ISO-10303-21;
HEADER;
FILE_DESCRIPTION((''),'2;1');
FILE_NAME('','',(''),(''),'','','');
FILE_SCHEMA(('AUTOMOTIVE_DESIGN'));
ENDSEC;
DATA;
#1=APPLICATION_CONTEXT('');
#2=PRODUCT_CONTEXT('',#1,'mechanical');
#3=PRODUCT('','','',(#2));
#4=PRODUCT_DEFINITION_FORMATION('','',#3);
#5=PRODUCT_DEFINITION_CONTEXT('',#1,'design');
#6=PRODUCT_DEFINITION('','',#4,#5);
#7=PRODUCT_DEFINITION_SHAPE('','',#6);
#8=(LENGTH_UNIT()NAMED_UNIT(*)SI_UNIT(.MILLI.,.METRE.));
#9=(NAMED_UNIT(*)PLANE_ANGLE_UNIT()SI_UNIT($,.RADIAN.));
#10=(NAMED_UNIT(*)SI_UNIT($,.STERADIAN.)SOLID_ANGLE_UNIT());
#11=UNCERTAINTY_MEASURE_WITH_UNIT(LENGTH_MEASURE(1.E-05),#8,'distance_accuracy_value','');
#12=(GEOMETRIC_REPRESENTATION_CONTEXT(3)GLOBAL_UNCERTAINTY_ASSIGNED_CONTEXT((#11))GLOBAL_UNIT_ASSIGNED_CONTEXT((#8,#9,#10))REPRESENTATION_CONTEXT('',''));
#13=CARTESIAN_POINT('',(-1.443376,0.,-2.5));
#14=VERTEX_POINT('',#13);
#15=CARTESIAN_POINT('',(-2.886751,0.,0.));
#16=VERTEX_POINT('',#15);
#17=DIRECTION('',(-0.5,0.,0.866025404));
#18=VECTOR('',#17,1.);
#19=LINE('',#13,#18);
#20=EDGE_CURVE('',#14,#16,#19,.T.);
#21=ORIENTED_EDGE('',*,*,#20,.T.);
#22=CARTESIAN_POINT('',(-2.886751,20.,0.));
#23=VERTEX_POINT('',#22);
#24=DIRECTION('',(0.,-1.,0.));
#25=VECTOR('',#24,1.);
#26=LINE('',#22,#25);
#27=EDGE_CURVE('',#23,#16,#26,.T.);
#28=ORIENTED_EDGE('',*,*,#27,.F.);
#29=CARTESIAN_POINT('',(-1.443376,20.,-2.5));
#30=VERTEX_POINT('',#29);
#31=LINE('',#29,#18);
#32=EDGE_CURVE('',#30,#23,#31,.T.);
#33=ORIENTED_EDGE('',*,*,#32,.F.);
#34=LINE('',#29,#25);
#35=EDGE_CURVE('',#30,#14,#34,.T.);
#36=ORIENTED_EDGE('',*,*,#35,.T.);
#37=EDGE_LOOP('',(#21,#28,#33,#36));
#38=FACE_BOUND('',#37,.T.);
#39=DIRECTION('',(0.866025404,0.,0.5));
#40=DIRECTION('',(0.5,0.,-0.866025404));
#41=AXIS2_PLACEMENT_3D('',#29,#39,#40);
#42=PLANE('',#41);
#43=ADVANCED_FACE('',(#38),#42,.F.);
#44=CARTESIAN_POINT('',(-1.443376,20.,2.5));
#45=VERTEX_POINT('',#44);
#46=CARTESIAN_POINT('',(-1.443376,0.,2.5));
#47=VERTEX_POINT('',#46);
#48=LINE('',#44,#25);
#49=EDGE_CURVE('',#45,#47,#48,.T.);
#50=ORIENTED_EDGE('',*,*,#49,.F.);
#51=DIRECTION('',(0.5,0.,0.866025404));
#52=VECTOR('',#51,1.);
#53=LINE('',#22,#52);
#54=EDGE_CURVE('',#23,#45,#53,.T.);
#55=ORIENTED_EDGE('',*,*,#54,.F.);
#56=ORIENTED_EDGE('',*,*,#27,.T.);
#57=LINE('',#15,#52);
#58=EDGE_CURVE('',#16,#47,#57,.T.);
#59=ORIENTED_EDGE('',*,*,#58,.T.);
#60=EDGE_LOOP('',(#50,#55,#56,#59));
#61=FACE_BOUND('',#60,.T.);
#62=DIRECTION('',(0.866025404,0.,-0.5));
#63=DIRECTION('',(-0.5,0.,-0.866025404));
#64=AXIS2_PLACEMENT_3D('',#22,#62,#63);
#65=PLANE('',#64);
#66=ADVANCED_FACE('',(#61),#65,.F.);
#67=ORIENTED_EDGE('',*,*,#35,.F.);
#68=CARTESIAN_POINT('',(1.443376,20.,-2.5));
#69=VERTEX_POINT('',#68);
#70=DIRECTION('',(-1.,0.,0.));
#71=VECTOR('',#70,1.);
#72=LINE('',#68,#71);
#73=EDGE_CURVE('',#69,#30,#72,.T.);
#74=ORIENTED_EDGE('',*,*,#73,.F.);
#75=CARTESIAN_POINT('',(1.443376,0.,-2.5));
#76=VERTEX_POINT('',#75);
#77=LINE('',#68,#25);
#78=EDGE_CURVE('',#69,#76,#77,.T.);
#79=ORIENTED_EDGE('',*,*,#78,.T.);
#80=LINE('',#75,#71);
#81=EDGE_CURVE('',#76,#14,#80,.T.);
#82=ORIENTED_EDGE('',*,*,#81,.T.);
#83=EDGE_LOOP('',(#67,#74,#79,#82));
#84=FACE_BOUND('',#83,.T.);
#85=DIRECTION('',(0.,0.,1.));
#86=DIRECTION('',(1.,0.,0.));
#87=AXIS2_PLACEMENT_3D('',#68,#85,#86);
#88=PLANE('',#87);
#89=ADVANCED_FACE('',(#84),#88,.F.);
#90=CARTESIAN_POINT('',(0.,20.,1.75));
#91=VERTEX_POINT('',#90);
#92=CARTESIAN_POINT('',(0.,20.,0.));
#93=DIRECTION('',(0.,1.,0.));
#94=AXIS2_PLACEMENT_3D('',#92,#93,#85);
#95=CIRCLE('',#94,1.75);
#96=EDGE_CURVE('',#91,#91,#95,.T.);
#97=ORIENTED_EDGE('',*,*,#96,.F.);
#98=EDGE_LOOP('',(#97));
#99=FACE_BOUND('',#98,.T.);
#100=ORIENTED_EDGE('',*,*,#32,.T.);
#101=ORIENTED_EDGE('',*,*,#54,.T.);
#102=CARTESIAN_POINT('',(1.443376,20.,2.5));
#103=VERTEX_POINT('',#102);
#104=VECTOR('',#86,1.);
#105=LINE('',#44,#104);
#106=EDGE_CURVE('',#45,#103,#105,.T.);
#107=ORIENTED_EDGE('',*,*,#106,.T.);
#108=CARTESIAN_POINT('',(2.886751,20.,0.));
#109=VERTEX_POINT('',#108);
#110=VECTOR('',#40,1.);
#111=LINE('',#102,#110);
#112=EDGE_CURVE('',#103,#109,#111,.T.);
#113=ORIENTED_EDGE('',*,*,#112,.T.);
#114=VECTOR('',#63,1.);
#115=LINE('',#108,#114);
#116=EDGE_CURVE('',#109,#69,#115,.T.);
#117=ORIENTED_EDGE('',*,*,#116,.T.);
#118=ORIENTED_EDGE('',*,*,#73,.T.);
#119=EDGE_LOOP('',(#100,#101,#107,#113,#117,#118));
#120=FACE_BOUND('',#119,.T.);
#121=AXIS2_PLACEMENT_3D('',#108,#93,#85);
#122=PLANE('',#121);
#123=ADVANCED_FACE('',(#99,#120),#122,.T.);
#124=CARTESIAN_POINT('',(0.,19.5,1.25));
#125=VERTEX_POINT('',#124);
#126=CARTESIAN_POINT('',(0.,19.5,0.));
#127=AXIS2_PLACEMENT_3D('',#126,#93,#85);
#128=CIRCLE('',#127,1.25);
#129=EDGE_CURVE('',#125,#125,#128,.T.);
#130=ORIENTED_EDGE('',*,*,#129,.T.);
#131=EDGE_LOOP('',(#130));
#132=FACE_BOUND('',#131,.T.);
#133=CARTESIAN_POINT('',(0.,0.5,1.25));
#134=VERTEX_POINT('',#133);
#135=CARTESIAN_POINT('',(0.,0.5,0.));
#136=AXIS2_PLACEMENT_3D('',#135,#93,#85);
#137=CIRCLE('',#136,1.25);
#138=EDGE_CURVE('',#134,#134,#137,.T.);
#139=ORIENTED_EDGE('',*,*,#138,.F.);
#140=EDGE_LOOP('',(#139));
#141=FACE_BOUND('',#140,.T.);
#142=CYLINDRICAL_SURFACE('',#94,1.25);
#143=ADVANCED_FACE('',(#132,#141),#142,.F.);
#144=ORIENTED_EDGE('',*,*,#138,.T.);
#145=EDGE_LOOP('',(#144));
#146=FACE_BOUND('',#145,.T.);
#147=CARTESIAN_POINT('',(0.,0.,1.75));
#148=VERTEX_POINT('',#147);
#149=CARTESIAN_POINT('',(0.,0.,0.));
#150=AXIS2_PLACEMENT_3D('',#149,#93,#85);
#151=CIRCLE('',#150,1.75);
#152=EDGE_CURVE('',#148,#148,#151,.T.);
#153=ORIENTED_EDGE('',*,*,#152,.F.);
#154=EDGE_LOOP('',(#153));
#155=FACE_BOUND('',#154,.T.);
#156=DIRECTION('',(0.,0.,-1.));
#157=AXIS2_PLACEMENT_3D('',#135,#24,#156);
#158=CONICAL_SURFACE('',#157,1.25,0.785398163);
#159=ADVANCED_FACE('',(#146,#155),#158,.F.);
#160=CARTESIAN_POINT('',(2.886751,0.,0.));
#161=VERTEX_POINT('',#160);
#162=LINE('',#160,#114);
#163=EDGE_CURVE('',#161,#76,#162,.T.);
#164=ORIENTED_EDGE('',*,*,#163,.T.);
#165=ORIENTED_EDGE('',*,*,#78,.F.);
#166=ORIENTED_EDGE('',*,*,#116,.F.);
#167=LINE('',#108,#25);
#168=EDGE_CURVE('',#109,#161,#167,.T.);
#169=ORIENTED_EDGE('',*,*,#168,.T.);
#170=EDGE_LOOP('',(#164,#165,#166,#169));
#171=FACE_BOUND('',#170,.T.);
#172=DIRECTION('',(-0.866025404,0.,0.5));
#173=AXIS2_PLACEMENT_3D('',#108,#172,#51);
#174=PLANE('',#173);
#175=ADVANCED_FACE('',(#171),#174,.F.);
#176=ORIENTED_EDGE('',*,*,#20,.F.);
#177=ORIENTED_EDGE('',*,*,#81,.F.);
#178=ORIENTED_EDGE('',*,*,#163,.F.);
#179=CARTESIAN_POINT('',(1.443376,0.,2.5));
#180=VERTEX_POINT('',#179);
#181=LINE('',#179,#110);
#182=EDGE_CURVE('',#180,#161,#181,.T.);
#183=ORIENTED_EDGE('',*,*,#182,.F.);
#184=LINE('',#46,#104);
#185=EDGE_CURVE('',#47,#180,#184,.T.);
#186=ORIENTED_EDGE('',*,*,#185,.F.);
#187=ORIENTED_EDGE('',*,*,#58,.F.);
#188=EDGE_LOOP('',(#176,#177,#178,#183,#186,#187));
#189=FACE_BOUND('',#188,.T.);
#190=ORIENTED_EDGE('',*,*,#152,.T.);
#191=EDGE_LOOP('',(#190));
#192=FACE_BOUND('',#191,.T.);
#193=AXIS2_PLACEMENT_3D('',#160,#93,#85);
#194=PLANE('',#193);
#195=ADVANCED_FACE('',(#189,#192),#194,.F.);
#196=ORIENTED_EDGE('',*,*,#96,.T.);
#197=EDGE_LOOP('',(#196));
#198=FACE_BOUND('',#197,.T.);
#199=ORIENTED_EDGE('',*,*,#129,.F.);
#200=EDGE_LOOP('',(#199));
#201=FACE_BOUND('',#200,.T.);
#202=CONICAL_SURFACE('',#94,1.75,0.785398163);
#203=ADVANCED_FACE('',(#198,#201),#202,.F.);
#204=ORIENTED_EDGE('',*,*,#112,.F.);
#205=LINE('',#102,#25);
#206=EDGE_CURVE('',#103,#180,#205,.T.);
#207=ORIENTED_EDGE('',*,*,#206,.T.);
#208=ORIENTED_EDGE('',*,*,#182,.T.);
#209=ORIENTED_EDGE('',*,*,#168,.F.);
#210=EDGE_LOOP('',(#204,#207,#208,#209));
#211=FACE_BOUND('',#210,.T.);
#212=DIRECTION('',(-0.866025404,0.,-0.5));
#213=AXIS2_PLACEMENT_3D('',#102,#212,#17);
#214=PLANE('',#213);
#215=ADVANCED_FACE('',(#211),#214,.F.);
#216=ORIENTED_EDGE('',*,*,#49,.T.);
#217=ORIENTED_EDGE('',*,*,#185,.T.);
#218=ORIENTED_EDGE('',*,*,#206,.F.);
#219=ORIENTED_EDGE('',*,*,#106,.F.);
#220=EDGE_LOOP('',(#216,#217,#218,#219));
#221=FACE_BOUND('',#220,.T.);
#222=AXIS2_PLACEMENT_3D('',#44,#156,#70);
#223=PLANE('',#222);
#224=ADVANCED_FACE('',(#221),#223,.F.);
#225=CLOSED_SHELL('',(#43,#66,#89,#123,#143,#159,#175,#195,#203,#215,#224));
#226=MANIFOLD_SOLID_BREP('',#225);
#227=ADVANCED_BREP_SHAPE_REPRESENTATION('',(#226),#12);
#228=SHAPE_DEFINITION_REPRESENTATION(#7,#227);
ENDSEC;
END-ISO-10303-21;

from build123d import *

# Parameters (mm, degrees)
EXTRUDE_1_DEPTH = 20


with BuildPart() as part:
    # Эскиз1 → Бобышка-Вытянуть1 (new body)
    with BuildSketch(Plane(origin=(0, 0, 0), x_dir=(1, 0, 0), z_dir=(0, 1, 0))):
        Polygon((2.886751346, 0), (1.443375673, 2.5), (-1.443375673, 2.5), (-2.886751346, 0), (-1.443375673, -2.5), (1.443375673, -2.5), align=None)
    extrude(amount=EXTRUDE_1_DEPTH)

    # Эскиз2 → Отверстие обработанное метчиком M3x0.51 (revolve, cut)
    with BuildSketch(Plane(origin=(0, 20, 0), x_dir=(0, 0, 1), z_dir=(1, 0, 0))):
        Polygon((0, 0), (0, 20), (1.75, 20), (1.25, 19.5), (1.25, 0.5), (1.75, 0), align=None)
    revolve(axis=Axis((0, 26.35, 0), (0, -1, 0)), mode=Mode.SUBTRACT)


solid = part.part
